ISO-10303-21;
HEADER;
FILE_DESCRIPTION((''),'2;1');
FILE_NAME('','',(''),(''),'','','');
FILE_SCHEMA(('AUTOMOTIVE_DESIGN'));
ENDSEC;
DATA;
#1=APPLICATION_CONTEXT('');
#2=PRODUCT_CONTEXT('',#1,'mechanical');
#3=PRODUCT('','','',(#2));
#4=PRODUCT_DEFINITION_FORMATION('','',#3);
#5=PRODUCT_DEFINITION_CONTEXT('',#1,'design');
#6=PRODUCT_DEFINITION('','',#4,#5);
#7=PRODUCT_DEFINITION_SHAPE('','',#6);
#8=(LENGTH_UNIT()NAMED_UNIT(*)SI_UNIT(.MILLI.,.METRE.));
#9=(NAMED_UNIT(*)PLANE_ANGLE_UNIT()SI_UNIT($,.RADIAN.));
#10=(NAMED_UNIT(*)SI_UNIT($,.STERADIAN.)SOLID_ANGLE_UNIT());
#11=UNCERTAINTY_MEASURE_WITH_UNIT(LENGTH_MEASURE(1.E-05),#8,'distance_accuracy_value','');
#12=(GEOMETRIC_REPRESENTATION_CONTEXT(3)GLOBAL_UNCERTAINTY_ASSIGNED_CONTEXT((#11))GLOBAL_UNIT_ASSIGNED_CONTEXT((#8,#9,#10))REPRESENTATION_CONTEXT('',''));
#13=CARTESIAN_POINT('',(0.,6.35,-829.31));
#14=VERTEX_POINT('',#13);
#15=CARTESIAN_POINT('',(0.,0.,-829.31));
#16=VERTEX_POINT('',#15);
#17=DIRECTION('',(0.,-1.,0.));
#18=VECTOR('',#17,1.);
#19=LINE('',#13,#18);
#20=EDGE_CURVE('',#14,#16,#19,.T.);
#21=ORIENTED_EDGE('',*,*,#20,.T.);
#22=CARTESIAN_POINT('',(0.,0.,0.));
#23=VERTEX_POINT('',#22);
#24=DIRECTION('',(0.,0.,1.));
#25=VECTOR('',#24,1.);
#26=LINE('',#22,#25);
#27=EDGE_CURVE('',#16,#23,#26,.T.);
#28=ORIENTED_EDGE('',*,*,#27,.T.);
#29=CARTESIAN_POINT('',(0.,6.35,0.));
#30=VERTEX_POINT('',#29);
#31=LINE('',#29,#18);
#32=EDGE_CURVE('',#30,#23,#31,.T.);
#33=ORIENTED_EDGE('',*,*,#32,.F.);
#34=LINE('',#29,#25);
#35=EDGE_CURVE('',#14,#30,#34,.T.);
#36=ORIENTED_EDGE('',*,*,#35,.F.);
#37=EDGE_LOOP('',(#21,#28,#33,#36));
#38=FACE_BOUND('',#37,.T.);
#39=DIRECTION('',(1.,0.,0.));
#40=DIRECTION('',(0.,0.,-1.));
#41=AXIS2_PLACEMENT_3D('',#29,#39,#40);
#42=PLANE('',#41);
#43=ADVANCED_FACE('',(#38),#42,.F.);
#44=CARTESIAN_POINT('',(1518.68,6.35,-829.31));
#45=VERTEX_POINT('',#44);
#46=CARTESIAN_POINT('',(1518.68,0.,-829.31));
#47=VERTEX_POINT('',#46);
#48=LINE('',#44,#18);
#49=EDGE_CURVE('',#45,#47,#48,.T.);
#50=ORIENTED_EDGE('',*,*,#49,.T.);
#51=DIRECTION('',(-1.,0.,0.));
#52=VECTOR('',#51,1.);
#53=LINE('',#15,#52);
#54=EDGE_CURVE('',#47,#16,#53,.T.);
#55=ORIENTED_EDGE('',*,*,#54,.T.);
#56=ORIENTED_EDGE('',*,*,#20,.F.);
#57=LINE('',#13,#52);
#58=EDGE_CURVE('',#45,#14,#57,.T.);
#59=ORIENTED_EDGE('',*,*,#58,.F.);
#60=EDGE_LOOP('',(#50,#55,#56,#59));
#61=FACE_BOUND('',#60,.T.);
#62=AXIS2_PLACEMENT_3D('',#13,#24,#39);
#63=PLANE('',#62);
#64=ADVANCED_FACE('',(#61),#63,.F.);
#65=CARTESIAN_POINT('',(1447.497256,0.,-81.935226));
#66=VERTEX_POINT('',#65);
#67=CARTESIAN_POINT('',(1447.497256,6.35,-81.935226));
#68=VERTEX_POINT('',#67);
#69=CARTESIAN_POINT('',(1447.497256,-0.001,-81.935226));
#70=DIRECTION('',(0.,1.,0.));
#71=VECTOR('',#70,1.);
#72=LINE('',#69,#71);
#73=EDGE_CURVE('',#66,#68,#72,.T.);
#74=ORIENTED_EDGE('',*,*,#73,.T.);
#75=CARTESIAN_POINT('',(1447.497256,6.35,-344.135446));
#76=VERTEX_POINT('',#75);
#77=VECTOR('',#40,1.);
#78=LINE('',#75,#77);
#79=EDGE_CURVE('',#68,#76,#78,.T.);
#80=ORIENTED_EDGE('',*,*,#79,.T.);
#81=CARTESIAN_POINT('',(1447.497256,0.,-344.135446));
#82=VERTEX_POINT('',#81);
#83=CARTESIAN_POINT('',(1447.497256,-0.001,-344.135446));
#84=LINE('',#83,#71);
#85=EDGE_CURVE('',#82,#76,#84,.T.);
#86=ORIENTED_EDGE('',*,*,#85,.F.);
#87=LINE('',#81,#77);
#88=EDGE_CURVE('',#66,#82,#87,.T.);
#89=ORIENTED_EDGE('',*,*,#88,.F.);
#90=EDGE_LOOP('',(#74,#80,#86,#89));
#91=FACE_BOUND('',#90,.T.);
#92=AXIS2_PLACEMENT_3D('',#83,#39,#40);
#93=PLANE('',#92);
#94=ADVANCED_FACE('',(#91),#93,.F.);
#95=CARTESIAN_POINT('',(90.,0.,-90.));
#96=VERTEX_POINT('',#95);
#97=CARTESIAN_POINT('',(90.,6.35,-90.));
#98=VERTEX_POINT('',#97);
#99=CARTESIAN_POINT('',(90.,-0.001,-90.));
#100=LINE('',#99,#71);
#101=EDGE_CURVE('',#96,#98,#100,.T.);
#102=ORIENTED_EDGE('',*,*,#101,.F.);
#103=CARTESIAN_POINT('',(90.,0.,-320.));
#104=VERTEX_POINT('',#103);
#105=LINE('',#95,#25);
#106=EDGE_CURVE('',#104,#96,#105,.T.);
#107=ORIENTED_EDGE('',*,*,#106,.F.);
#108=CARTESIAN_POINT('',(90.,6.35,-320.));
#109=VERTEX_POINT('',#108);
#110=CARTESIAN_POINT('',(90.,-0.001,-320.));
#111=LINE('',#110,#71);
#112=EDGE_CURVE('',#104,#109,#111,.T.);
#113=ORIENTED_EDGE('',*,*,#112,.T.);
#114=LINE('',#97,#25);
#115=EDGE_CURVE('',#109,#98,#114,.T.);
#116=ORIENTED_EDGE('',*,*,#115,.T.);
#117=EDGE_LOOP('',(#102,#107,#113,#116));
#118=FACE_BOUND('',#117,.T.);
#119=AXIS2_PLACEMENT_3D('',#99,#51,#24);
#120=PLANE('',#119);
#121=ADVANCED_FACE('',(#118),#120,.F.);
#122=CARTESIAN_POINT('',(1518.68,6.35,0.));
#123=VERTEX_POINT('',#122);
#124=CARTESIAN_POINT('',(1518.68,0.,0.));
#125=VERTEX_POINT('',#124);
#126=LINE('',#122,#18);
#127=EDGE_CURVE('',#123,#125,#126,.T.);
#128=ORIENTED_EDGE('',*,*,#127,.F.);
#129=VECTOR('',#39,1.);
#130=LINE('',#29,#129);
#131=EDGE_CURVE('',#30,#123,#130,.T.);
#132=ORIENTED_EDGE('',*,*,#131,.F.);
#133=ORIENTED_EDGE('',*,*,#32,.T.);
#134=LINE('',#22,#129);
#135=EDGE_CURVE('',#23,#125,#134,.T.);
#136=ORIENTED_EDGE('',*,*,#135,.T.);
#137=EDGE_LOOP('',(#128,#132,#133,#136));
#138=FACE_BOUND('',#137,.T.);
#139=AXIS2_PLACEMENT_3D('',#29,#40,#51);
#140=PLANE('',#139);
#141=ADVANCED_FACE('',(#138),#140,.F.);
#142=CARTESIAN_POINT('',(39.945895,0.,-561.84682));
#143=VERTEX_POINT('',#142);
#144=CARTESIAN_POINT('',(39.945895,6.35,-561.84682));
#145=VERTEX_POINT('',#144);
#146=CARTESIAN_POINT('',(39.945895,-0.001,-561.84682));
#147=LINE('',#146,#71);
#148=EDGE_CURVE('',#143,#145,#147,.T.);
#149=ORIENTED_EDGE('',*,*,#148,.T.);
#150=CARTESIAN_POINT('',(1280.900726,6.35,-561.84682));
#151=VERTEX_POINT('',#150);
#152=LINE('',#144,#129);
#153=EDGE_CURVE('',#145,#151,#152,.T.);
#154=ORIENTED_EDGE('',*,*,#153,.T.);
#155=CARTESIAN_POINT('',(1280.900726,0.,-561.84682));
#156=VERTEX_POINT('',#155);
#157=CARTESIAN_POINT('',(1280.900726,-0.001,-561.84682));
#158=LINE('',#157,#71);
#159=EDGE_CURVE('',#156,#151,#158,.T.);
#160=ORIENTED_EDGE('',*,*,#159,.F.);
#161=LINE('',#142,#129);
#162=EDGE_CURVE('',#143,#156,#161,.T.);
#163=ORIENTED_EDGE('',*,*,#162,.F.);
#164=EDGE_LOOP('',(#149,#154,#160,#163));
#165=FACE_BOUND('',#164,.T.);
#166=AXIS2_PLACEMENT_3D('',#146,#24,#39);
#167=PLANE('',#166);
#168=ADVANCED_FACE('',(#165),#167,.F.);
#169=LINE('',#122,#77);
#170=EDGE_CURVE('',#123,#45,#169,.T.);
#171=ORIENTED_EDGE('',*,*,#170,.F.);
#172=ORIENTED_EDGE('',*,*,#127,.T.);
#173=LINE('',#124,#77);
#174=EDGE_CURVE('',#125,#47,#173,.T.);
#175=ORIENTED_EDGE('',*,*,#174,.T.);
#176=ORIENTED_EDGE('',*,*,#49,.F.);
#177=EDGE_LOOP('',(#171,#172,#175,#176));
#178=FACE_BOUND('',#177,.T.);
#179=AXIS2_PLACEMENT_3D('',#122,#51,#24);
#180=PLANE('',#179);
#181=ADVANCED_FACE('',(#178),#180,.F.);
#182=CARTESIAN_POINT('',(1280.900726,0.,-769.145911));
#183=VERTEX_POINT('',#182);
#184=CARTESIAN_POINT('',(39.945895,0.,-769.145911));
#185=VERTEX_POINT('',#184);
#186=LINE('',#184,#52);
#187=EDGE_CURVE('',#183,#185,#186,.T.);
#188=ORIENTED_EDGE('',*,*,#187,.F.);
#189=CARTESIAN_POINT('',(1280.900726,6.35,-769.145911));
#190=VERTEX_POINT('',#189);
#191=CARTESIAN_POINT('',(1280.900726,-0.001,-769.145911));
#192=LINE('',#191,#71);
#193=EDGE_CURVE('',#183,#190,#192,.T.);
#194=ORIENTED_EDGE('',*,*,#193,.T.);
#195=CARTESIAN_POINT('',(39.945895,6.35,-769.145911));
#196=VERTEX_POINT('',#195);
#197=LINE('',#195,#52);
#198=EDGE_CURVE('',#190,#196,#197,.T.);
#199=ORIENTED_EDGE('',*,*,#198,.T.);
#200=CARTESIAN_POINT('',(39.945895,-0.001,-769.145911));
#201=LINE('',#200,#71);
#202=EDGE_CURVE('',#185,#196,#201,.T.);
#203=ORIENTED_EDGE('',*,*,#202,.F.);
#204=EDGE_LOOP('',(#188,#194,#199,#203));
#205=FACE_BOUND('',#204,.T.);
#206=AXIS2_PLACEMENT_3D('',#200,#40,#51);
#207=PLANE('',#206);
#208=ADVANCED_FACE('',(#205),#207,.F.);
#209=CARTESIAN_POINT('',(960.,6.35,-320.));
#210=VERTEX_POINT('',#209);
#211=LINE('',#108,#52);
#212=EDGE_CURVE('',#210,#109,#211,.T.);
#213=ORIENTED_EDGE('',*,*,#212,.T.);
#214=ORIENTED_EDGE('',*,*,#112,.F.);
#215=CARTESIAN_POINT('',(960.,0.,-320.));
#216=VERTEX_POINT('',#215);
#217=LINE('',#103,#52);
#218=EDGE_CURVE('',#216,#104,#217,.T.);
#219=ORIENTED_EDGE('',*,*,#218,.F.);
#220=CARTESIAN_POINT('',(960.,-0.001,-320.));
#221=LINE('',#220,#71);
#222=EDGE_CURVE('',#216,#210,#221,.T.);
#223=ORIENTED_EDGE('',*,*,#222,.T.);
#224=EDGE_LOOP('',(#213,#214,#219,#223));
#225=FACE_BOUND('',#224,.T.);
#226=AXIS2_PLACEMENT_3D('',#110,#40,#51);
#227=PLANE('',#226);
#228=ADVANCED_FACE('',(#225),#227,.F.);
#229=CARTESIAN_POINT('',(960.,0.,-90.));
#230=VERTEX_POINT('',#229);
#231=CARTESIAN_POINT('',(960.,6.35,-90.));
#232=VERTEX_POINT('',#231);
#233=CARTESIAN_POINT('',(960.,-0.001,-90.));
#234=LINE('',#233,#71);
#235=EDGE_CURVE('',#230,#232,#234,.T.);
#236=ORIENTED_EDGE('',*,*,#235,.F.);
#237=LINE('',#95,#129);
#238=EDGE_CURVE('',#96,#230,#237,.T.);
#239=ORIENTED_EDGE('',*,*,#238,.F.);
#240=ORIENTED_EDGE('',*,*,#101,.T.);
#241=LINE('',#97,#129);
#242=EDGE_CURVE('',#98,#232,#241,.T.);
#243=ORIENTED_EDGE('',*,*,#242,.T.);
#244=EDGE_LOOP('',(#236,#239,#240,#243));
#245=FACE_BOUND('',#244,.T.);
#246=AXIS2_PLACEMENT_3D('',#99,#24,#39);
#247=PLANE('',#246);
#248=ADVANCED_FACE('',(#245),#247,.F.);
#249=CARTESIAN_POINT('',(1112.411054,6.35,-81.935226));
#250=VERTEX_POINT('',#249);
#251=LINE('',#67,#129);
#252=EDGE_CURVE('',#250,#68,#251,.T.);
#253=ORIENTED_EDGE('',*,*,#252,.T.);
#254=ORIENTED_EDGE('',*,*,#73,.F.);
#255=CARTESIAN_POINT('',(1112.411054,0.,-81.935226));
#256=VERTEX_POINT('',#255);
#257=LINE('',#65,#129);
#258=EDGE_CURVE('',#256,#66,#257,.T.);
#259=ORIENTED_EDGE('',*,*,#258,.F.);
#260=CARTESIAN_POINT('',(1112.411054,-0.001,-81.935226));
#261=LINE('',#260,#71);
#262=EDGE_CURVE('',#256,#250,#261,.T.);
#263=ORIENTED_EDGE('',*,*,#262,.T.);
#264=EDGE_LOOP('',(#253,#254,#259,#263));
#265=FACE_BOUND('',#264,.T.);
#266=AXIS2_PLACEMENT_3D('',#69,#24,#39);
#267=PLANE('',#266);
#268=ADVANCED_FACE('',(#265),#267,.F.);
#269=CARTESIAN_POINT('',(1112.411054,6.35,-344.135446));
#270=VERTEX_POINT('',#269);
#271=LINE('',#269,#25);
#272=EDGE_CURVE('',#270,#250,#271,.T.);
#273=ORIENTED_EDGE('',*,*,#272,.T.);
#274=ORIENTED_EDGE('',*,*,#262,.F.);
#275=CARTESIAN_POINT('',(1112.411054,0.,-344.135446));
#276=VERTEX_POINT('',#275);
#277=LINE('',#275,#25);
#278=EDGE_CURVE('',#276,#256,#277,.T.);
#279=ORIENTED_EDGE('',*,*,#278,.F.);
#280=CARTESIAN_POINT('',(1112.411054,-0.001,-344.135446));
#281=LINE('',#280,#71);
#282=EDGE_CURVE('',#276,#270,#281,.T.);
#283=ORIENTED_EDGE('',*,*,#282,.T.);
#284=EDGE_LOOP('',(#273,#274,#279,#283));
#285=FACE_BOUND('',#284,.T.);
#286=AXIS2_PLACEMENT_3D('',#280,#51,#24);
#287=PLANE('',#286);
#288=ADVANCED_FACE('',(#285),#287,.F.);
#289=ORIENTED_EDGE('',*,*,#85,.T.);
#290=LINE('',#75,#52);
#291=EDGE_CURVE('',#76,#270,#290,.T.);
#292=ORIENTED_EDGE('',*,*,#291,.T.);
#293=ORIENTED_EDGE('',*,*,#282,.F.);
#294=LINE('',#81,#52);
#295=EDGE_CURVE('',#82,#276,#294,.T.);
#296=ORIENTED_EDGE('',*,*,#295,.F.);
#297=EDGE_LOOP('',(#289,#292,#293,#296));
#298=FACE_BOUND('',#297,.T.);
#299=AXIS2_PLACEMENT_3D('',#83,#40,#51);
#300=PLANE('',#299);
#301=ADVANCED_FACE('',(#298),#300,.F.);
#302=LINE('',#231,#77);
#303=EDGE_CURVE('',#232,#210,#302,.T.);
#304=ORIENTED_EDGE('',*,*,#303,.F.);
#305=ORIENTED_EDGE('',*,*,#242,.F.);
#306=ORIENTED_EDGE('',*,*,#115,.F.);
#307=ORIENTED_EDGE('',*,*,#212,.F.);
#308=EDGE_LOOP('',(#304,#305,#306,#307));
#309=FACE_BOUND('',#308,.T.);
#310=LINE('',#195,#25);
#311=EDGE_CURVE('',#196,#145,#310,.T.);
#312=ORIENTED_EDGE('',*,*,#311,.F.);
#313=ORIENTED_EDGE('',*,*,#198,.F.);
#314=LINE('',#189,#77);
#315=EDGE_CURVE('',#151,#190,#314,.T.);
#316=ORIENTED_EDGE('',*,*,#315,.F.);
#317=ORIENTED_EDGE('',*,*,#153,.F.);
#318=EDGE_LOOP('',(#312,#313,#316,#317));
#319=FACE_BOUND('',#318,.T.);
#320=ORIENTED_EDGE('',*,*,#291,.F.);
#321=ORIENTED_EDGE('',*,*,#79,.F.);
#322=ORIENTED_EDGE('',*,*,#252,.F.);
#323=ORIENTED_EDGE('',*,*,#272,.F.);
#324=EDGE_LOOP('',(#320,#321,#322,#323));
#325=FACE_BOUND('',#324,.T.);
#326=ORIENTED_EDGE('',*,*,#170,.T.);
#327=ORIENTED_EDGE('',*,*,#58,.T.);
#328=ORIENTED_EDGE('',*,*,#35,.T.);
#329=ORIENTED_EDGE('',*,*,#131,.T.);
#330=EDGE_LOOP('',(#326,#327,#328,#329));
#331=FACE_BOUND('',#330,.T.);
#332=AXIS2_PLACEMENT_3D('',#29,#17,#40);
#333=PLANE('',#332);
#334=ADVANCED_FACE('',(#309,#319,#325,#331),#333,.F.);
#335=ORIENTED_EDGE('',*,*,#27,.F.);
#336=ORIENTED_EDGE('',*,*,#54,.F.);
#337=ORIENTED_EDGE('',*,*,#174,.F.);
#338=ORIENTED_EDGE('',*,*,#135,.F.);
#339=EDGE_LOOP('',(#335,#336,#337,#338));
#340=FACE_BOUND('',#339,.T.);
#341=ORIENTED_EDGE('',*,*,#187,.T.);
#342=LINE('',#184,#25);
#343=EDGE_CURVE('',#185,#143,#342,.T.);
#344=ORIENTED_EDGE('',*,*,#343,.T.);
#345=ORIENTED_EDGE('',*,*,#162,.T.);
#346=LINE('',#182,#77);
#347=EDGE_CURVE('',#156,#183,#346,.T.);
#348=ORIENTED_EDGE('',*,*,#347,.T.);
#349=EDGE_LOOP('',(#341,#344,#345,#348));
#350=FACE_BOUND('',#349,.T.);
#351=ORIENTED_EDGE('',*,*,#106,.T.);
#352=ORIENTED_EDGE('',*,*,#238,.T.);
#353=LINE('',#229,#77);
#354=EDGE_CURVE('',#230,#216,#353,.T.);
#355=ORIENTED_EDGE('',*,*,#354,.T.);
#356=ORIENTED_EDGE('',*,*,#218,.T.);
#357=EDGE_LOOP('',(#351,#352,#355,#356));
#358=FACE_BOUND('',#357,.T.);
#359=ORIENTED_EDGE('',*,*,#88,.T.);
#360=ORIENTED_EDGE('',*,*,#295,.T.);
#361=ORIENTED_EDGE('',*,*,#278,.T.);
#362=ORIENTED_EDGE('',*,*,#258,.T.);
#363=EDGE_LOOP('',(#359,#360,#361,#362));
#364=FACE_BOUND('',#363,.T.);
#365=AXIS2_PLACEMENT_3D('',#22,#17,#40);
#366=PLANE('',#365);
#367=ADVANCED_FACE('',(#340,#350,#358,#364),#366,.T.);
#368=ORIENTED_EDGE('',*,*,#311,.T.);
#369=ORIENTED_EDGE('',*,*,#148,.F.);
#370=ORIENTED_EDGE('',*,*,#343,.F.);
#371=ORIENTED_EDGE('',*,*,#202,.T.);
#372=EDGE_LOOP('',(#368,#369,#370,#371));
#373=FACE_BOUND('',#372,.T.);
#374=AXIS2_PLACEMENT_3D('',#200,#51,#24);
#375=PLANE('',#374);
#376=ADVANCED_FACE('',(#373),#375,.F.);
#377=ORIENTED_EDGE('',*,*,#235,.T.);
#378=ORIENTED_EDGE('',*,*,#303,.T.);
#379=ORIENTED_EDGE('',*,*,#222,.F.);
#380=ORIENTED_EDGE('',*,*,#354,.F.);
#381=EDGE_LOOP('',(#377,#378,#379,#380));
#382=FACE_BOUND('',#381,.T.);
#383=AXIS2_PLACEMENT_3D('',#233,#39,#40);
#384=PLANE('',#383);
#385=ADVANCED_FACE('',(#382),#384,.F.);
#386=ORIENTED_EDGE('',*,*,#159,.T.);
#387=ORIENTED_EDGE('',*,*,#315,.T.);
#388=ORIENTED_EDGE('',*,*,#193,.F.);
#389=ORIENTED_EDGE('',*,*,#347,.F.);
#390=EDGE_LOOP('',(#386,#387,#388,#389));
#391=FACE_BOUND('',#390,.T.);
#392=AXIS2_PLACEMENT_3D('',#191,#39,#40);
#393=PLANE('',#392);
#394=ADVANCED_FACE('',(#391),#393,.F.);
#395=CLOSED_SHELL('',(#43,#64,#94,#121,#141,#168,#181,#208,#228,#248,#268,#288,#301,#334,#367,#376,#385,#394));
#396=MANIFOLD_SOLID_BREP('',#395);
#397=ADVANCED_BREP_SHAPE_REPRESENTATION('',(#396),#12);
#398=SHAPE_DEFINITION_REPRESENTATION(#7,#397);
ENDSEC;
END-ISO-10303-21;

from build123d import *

# Parameters (mm, degrees)
SKETCH1_W           = 1518.68
SKETCH1_H           = 829.31
BOSS_EXTRUDE1_DEPTH = 6.35
CUT_EXTRUDE1_REACH  = 1732.371
SKETCH2_W           = 870
SKETCH2_H           = 230
SKETCH2_W_2         = 1240.954831331
SKETCH2_H_2         = 207.299090818
SKETCH2_W_3         = 335.086201595
SKETCH2_H_3         = 262.200219892


with BuildPart() as part:
    # Sketch1 → Boss-Extrude1 (new body)
    with BuildSketch(Plane(origin=(0, 0, 0), x_dir=(1, 0, 0), z_dir=(0, 1, 0))):
        with Locations((759.34, 414.655)):
            Rectangle(SKETCH1_W, SKETCH1_H)
    extrude(amount=BOSS_EXTRUDE1_DEPTH)

    # Sketch2 → Cut-Extrude1 (cut, up to next)
    with BuildSketch(Plane(origin=(0, 6.35, 0), x_dir=(1, 0, 0), z_dir=(0, 1, 0)), mode=Mode.PRIVATE) as cut_extrude1_sk1:
        with Locations((525, 205)):
            Rectangle(SKETCH2_W, SKETCH2_H)
    cut_extrude1_tool1 = extrude(cut_extrude1_sk1.sketch, amount=-CUT_EXTRUDE1_REACH, mode=Mode.PRIVATE) & part.part
    # Sketch2 → Cut-Extrude1 (cut, up to next)
    with BuildSketch(Plane(origin=(0, 6.35, 0), x_dir=(1, 0, 0), z_dir=(0, 1, 0)), mode=Mode.PRIVATE) as cut_extrude1_sk2:
        with Locations((660.423310547, 665.496365601)):
            Rectangle(SKETCH2_W_2, SKETCH2_H_2)
    cut_extrude1_tool2 = extrude(cut_extrude1_sk2.sketch, amount=-CUT_EXTRUDE1_REACH, mode=Mode.PRIVATE) & part.part
    # Sketch2 → Cut-Extrude1 (cut, up to next)
    with BuildSketch(Plane(origin=(0, 6.35, 0), x_dir=(1, 0, 0), z_dir=(0, 1, 0)), mode=Mode.PRIVATE) as cut_extrude1_sk3:
        with Locations((1279.95415502, 213.035336328)):
            Rectangle(SKETCH2_W_3, SKETCH2_H_3)
    cut_extrude1_tool3 = extrude(cut_extrude1_sk3.sketch, amount=-CUT_EXTRUDE1_REACH, mode=Mode.PRIVATE) & part.part
    add(cut_extrude1_tool1.solids().sort_by_distance((525, 6.35, -205))[0], mode=Mode.SUBTRACT)
    add(cut_extrude1_tool2.solids().sort_by_distance((660.423311, 6.35, -665.496366))[0], mode=Mode.SUBTRACT)
    add(cut_extrude1_tool3.solids().sort_by_distance((1279.954155, 6.35, -213.035336))[0], mode=Mode.SUBTRACT)


solid = part.part
